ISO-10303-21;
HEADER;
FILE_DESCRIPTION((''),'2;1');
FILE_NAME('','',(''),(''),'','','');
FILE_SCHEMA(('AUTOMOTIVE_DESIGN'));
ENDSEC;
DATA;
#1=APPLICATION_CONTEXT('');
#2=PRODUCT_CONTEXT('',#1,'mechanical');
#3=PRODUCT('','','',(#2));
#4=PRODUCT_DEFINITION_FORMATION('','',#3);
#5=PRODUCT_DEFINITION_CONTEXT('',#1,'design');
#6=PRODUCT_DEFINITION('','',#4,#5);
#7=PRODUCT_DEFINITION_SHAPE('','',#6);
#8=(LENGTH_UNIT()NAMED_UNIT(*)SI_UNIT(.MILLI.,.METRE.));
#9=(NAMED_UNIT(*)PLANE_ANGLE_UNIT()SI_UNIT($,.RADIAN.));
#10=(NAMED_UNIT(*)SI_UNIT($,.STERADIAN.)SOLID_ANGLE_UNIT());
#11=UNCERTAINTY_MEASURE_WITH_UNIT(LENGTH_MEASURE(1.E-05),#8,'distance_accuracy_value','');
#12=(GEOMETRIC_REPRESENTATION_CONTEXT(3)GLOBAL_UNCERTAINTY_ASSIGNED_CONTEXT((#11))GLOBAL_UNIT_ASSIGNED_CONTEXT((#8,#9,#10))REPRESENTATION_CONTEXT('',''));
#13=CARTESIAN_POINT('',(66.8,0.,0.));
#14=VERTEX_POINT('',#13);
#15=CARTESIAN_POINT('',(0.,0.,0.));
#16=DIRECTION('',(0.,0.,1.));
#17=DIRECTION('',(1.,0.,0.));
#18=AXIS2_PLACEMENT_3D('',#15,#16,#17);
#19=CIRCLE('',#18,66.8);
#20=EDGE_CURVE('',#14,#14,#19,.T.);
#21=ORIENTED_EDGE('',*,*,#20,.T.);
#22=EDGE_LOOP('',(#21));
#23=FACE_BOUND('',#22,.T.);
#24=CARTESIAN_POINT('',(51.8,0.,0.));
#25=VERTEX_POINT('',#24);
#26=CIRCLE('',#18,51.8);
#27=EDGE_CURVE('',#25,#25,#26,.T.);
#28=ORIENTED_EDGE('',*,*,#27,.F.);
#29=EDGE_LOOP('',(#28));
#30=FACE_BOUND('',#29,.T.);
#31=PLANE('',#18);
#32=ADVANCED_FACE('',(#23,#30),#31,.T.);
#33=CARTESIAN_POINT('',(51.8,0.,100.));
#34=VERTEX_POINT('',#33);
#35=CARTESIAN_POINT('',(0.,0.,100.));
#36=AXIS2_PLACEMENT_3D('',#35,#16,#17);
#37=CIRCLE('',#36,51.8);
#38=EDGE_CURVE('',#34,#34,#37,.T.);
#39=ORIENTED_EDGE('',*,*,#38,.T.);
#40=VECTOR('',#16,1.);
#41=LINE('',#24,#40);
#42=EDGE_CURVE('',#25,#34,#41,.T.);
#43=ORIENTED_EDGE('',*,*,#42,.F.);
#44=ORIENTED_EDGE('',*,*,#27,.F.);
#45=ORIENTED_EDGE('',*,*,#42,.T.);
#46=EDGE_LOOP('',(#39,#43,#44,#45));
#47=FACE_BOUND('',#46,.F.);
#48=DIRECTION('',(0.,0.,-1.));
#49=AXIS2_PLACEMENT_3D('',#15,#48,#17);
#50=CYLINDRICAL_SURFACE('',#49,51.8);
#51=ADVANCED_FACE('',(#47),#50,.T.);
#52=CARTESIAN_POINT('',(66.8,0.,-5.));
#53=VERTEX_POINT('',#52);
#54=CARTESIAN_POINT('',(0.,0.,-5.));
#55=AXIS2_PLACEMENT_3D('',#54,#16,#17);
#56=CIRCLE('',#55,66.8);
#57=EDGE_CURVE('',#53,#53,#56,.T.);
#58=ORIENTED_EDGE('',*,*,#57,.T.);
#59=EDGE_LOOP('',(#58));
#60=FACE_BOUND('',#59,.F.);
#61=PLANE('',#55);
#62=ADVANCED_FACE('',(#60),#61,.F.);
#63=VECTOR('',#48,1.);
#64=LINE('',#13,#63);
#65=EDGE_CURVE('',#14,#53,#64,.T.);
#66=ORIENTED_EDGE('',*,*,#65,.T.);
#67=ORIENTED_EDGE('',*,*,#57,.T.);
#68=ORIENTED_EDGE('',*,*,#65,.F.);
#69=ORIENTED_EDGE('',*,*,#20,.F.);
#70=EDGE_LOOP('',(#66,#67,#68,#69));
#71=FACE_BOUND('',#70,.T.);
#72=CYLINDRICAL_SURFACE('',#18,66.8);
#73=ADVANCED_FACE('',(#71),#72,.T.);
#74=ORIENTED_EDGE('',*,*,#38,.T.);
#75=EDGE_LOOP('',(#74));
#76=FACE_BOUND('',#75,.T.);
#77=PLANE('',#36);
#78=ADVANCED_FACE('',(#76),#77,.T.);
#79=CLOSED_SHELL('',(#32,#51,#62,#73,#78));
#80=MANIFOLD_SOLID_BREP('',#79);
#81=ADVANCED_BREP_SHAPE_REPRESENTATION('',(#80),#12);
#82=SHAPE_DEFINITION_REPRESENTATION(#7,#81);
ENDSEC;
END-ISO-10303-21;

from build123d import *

# Parameters (mm, degrees)
SKETCH_R     = 51.8
PAD_DEPTH    = 100
SKETCH001_R  = 66.8
PAD001_DEPTH = 5


with BuildPart() as part:
    # Sketch → Pad (new body)
    with BuildSketch(Plane.XY):
        Circle(SKETCH_R)
    extrude(amount=PAD_DEPTH)

    # Sketch001 → Pad001 (join)
    with BuildSketch(Plane.XY):
        Circle(SKETCH001_R)
    extrude(amount=-PAD001_DEPTH)


solid = part.part
